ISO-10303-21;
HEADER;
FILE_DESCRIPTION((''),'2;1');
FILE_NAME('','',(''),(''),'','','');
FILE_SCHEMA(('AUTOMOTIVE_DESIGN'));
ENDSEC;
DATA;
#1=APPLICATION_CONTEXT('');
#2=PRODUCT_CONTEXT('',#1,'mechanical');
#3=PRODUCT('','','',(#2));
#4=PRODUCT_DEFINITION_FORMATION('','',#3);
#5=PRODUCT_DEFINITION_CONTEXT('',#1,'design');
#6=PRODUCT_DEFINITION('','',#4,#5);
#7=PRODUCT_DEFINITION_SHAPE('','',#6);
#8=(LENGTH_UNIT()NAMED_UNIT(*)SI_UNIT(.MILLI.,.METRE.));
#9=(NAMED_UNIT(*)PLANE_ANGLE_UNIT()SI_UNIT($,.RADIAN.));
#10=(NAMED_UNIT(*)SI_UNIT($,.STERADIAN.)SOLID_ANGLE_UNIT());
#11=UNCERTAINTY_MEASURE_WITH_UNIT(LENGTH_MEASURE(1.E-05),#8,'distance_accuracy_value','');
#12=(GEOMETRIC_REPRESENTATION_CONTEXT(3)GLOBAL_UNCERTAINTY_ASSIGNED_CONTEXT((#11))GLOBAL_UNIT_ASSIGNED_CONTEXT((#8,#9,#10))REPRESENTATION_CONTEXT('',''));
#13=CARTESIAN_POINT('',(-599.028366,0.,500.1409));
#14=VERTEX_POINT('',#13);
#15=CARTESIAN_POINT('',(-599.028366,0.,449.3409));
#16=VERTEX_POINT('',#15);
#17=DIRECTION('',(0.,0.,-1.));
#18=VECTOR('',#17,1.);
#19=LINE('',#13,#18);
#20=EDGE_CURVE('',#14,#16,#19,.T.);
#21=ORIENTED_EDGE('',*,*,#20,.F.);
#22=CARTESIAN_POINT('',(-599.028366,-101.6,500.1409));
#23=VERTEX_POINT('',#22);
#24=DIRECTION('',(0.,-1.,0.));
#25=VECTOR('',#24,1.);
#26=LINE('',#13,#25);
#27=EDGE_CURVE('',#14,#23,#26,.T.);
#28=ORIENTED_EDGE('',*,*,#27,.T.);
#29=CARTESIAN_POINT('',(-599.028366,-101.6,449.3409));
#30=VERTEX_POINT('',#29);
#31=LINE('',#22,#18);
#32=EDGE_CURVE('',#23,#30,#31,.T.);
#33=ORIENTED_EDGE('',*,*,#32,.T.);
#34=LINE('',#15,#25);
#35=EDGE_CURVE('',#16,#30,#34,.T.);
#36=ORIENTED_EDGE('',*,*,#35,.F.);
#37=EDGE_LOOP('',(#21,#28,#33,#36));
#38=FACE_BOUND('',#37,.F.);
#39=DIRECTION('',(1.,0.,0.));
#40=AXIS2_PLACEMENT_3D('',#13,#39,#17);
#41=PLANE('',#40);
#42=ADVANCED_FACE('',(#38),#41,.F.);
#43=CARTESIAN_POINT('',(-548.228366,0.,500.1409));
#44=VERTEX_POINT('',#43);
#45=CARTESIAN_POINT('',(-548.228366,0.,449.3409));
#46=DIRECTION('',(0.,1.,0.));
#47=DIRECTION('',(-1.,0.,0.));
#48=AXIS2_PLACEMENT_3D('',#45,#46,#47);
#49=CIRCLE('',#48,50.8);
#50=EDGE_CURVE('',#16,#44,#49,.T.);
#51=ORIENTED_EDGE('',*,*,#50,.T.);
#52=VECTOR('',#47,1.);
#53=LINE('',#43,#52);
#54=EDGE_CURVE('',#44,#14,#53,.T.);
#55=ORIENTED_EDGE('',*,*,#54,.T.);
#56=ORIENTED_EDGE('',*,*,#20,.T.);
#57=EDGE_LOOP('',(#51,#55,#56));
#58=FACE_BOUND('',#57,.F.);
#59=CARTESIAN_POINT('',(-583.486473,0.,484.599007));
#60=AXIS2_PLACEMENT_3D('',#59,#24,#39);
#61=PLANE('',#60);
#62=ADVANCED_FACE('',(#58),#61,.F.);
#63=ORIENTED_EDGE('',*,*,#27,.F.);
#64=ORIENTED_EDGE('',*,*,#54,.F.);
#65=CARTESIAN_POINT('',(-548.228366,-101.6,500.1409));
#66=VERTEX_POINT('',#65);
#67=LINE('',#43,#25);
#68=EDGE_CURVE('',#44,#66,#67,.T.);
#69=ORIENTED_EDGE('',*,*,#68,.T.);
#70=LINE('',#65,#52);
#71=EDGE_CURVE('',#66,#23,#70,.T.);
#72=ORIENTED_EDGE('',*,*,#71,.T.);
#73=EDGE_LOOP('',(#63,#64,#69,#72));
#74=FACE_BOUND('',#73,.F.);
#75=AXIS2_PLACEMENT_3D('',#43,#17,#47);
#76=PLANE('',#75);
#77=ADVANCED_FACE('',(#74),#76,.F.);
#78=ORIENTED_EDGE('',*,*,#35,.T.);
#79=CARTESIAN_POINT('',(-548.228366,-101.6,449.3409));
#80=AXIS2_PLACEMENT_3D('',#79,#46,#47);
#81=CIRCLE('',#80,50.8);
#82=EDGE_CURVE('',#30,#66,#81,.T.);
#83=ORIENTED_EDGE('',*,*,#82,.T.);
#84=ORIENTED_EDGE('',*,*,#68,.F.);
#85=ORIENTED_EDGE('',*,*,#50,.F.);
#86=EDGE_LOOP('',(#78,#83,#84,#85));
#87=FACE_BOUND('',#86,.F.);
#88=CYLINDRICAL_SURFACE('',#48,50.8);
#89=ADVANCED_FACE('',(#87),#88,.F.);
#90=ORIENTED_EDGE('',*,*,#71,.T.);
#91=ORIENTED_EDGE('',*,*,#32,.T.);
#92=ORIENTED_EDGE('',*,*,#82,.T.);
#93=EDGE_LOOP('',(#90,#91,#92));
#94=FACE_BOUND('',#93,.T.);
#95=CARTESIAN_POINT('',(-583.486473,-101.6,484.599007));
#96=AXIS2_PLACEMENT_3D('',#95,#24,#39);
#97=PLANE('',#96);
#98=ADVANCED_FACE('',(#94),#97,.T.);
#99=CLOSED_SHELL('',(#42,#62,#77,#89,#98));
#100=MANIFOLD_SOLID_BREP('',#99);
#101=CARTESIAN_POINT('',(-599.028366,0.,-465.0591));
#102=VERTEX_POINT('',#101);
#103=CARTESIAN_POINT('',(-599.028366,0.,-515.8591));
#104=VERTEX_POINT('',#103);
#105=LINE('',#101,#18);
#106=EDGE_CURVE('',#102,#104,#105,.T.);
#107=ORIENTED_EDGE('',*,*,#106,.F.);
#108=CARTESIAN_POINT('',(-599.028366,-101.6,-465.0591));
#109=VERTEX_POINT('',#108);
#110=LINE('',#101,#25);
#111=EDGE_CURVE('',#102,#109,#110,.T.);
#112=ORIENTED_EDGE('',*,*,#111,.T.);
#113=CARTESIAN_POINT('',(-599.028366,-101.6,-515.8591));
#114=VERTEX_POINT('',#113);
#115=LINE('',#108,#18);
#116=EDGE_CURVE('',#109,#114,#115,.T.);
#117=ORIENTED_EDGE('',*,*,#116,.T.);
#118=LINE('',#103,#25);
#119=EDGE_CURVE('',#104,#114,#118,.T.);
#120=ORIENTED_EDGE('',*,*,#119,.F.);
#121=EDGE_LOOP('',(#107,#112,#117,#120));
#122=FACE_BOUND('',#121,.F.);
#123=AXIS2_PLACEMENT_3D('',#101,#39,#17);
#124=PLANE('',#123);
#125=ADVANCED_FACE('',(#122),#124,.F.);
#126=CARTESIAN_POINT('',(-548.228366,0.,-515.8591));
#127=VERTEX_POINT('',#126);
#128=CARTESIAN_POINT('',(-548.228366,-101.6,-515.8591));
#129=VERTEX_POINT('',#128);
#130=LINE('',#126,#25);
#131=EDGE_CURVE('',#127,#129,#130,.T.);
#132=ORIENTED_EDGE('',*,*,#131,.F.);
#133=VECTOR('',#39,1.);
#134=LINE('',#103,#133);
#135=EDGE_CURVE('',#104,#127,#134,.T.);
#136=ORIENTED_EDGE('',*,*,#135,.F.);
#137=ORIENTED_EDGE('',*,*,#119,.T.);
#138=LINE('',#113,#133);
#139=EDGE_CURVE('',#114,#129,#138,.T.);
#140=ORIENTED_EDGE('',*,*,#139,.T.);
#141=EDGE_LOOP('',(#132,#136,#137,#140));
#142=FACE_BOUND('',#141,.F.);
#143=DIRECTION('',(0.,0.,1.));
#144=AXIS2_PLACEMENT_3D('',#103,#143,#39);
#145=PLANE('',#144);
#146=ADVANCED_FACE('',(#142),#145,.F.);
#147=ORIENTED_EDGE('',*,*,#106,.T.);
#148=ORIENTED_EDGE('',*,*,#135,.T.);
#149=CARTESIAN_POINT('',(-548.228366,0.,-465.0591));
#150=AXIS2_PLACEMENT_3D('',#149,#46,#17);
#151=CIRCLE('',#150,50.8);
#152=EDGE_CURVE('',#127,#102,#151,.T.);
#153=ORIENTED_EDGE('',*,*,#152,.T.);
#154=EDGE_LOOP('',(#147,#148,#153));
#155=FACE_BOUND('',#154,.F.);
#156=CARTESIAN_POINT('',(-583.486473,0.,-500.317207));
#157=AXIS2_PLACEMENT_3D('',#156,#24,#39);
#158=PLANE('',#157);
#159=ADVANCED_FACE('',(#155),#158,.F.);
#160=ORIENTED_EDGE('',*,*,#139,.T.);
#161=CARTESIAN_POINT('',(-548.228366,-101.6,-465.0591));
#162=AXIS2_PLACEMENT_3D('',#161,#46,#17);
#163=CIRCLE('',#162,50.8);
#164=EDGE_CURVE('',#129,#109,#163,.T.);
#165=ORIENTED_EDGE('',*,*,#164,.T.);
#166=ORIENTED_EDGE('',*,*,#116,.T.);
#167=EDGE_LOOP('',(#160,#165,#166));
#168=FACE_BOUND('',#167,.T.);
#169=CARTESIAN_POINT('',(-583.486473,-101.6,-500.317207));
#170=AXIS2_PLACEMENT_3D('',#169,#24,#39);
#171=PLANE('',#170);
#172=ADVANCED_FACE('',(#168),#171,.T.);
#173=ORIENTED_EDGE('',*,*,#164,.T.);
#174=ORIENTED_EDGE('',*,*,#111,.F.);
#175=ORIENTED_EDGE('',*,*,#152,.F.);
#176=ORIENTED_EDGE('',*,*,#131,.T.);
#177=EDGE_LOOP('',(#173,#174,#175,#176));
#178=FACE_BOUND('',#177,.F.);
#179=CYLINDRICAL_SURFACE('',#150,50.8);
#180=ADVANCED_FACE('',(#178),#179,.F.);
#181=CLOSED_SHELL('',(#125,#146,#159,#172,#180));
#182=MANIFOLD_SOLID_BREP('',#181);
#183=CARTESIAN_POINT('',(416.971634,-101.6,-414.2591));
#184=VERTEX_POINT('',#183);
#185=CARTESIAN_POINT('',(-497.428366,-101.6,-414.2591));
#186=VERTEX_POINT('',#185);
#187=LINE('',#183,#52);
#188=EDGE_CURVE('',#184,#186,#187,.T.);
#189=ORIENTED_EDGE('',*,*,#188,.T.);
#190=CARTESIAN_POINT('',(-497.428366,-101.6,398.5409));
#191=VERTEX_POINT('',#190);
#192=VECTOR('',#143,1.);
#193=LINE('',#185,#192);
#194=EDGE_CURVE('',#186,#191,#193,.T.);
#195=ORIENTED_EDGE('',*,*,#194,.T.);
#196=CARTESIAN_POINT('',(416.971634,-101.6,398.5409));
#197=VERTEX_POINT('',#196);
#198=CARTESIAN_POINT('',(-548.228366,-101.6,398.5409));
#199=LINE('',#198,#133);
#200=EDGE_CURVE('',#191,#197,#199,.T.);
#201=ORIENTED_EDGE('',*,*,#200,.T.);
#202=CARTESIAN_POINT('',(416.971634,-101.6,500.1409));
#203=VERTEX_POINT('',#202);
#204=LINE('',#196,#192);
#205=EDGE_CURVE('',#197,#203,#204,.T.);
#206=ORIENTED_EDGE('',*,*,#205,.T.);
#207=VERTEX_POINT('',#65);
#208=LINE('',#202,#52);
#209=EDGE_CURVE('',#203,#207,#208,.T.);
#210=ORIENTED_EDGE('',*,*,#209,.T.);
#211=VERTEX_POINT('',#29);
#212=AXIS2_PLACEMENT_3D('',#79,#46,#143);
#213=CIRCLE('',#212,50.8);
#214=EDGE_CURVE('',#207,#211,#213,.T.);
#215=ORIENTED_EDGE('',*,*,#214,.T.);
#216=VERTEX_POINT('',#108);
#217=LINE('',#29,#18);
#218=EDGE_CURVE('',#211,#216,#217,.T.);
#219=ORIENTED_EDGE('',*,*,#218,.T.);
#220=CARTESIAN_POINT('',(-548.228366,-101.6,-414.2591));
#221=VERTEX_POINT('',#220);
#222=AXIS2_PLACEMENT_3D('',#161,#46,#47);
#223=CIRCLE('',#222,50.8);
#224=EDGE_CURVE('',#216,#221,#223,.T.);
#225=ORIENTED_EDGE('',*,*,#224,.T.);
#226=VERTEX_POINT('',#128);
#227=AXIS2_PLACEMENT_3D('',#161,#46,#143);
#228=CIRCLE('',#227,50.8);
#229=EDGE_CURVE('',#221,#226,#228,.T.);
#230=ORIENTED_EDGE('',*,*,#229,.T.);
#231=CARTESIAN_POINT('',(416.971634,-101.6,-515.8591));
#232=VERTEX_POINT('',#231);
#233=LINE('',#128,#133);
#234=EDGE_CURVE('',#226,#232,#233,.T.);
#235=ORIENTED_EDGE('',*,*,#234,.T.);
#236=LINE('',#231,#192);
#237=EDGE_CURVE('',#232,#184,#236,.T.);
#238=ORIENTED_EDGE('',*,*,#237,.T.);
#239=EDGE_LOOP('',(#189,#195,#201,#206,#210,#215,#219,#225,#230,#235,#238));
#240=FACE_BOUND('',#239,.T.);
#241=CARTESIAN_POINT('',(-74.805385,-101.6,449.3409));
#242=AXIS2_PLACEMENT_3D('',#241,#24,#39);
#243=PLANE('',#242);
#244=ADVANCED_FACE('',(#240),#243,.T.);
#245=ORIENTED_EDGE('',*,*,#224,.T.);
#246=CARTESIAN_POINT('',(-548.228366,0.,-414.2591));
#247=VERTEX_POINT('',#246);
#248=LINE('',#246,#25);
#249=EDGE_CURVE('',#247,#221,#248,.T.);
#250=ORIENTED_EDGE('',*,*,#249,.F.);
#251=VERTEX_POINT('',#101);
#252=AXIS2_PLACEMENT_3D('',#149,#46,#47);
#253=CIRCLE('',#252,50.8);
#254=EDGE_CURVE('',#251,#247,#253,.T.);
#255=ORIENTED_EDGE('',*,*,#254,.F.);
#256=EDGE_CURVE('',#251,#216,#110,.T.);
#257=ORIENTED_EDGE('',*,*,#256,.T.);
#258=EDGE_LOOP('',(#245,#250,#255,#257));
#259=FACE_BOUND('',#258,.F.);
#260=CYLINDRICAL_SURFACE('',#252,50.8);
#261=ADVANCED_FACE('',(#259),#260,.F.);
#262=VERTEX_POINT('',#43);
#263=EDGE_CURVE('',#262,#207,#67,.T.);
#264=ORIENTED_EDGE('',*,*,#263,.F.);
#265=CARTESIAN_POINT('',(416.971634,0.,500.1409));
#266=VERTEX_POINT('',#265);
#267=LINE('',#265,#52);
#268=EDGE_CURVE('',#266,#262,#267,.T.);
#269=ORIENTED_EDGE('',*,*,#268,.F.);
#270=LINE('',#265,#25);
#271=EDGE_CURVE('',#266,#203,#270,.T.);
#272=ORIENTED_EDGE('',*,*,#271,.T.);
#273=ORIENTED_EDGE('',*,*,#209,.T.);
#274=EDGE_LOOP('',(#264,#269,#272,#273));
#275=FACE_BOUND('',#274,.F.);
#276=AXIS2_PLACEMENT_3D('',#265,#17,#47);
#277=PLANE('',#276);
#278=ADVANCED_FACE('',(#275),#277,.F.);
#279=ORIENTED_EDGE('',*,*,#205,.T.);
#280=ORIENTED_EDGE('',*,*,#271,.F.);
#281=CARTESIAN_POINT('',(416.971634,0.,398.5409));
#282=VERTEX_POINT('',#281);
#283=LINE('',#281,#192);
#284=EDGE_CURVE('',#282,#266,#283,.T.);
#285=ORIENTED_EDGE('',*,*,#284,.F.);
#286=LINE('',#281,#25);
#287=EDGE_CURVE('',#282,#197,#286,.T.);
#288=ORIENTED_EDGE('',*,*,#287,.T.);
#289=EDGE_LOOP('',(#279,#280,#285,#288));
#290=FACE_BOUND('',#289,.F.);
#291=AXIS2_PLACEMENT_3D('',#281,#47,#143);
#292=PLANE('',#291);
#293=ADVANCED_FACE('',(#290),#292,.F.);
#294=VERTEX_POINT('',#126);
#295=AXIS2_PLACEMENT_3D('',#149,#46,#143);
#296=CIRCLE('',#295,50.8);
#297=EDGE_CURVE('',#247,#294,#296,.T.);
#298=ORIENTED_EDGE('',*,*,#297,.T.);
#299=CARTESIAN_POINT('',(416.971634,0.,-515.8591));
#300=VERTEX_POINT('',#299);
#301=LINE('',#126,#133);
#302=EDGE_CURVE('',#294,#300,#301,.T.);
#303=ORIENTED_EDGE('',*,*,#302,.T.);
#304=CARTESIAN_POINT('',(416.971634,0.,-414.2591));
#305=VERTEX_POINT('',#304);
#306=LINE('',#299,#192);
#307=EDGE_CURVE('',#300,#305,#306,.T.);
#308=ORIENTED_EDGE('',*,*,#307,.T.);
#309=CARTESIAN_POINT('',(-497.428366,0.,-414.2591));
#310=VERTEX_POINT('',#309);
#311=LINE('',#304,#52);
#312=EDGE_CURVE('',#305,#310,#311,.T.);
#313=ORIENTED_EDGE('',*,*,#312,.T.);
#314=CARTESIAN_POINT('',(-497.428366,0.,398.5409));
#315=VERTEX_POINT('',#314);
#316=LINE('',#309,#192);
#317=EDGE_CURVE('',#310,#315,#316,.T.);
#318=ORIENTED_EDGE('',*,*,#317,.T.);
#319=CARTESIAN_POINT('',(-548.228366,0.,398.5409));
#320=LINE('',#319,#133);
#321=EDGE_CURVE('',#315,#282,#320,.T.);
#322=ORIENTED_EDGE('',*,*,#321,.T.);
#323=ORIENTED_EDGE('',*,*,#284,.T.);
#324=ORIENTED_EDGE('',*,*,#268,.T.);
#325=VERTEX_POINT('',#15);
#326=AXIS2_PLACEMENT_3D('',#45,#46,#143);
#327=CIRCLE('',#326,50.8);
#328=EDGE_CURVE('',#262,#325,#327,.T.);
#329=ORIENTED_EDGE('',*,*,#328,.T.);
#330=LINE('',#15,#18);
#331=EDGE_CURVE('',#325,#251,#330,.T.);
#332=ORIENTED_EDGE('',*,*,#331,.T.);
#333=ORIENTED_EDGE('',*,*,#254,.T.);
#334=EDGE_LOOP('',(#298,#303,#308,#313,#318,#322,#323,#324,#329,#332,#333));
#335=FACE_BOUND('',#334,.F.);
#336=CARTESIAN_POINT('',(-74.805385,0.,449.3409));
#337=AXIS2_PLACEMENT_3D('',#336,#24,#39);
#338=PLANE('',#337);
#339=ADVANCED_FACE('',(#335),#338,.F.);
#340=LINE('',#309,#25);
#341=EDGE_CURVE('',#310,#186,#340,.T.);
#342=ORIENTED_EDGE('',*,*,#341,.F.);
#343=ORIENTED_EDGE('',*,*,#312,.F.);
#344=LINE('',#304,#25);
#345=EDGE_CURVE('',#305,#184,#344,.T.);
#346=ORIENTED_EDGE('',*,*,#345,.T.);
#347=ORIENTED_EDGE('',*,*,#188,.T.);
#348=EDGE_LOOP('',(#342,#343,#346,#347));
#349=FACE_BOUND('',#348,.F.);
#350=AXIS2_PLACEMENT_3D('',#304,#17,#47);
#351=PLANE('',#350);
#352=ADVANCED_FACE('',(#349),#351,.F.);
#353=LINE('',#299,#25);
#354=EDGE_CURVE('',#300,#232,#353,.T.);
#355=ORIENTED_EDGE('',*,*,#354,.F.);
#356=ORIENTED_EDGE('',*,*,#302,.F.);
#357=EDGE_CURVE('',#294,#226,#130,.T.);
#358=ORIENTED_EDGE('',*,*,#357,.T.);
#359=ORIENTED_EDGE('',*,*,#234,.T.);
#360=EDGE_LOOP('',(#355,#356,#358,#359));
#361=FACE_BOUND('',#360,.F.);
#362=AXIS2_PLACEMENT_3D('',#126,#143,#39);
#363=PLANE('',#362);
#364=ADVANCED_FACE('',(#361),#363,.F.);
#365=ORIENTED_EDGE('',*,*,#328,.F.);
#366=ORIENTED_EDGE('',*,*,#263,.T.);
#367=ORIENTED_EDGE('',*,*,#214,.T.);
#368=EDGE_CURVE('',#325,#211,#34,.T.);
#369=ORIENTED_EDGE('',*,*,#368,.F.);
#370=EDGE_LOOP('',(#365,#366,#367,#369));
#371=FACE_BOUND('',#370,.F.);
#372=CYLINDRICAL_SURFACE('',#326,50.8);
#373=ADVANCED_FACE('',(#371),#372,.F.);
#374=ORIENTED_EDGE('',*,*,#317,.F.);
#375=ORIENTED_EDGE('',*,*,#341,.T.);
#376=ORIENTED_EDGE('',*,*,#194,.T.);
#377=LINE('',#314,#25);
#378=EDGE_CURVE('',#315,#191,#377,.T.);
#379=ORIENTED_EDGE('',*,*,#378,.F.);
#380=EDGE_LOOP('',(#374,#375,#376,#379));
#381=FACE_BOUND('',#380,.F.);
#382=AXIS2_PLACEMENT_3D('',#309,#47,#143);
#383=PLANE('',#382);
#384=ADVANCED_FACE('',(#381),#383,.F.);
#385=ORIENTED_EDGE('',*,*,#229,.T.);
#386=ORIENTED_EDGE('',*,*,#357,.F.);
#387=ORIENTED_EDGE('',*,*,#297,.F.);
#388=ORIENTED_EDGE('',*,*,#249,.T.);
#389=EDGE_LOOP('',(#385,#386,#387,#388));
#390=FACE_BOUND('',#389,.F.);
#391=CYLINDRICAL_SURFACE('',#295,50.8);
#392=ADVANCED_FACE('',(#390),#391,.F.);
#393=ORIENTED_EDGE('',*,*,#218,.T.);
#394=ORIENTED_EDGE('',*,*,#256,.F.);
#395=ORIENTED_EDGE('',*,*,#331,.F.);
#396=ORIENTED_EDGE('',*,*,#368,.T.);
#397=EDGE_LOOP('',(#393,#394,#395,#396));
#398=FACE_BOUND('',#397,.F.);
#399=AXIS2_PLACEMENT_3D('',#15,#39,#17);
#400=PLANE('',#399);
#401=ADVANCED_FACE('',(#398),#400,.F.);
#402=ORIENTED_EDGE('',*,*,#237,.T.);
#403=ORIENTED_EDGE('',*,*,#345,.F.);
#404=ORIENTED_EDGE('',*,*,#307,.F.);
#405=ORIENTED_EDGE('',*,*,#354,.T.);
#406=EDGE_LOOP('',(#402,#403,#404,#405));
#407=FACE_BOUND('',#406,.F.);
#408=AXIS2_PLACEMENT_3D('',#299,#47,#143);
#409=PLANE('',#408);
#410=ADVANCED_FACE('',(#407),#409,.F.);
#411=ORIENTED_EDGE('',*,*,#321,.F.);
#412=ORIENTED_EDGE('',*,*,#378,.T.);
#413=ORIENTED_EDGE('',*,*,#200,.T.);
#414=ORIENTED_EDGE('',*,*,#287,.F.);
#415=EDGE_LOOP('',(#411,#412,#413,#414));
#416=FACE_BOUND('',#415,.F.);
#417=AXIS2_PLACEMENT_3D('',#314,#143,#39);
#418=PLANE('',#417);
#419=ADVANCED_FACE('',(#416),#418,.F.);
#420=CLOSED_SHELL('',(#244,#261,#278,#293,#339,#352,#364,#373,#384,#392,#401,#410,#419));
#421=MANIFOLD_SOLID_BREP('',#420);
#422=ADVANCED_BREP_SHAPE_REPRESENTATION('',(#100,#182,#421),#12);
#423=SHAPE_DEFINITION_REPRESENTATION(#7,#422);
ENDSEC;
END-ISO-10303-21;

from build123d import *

# Parameters (mm, degrees)
F1_DEPTH = 101.6


with BuildPart() as f1:
    # F0 (on Front) → F1 (new body)
    with BuildSketch(Plane.XZ):
        with BuildLine():
            Line((416.9716343101, 500.1409003437), (-548.2283656899, 500.1409003437))
            ThreePointArc((-548.2283656899, 500.1409003437), (-512.3073412056, 485.2619248279), (-497.4283656899, 449.3409003437))
            ThreePointArc((-497.4283656899, 449.3409003437), (-512.3073412056, 413.4198758594), (-548.2283656899, 398.5409003437))
            Line((-548.2283656899, 398.5409003437), (-497.4283656899, 398.5409003437))
            Line((-497.4283656899, 398.5409003437), (416.9716343101, 398.5409003437))
            Line((416.9716343101, 398.5409003437), (416.9716343101, 500.1409003437))
        make_face()
        with BuildLine():
            ThreePointArc((-548.2283656899, 398.5409003437), (-584.1493901742, 413.4198758594), (-599.0283656899, 449.3409003437))
            Line((-599.0283656899, 449.3409003437), (-599.0283656899, 398.5409003437))
            Line((-599.0283656899, 398.5409003437), (-548.2283656899, 398.5409003437))
        make_face()
        Polygon((-548.2283656899, 398.5409003437), (-599.0283656899, 398.5409003437), (-599.0283656899, -414.2590996563), (-548.2283656899, -414.2590996563), (-497.4283656899, -414.2590996563), (-497.4283656899, 398.5409003437), align=None)
        with BuildLine():
            Line((-497.4283656899, -414.2590996563), (-548.2283656899, -414.2590996563))
            ThreePointArc((-548.2283656899, -414.2590996563), (-512.3073412056, -429.1380751721), (-497.4283656899, -465.0590996563))
            ThreePointArc((-497.4283656899, -465.0590996563), (-512.3073412056, -500.9801241406), (-548.2283656899, -515.8590996563))
            Line((-548.2283656899, -515.8590996563), (416.9716343101, -515.8590996563))
            Line((416.9716343101, -515.8590996563), (416.9716343101, -414.2590996563))
            Line((416.9716343101, -414.2590996563), (-497.4283656899, -414.2590996563))
        make_face()
        with BuildLine():
            Line((-548.2283656899, -414.2590996563), (-599.0283656899, -414.2590996563))
            Line((-599.0283656899, -414.2590996563), (-599.0283656899, -465.0590996563))
            ThreePointArc((-599.0283656899, -465.0590996563), (-584.1493901742, -429.1380751721), (-548.2283656899, -414.2590996563))
        make_face()
    extrude(amount=F1_DEPTH)


with BuildPart() as f1b:
    # F0 (on Front) → F1, piece 2 (new body)
    with BuildSketch(Plane.XZ):
        with BuildLine():
            Line((-548.2283656899, 500.1409003437), (-599.0283656899, 500.1409003437))
            Line((-599.0283656899, 500.1409003437), (-599.0283656899, 449.3409003437))
            ThreePointArc((-599.0283656899, 449.3409003437), (-584.1493901742, 485.2619248279), (-548.2283656899, 500.1409003437))
        make_face()
    extrude(amount=F1_DEPTH)


with BuildPart() as f1c:
    # F0 (on Front) → F1, piece 3 (new body)
    with BuildSketch(Plane.XZ):
        with BuildLine():
            ThreePointArc((-548.2283656899, -515.8590996563), (-584.1493901742, -500.9801241406), (-599.0283656899, -465.0590996563))
            Line((-599.0283656899, -465.0590996563), (-599.0283656899, -515.8590996563))
            Line((-599.0283656899, -515.8590996563), (-548.2283656899, -515.8590996563))
        make_face()
    extrude(amount=F1_DEPTH)


solid = Compound([f1.part, f1b.part, f1c.part])
